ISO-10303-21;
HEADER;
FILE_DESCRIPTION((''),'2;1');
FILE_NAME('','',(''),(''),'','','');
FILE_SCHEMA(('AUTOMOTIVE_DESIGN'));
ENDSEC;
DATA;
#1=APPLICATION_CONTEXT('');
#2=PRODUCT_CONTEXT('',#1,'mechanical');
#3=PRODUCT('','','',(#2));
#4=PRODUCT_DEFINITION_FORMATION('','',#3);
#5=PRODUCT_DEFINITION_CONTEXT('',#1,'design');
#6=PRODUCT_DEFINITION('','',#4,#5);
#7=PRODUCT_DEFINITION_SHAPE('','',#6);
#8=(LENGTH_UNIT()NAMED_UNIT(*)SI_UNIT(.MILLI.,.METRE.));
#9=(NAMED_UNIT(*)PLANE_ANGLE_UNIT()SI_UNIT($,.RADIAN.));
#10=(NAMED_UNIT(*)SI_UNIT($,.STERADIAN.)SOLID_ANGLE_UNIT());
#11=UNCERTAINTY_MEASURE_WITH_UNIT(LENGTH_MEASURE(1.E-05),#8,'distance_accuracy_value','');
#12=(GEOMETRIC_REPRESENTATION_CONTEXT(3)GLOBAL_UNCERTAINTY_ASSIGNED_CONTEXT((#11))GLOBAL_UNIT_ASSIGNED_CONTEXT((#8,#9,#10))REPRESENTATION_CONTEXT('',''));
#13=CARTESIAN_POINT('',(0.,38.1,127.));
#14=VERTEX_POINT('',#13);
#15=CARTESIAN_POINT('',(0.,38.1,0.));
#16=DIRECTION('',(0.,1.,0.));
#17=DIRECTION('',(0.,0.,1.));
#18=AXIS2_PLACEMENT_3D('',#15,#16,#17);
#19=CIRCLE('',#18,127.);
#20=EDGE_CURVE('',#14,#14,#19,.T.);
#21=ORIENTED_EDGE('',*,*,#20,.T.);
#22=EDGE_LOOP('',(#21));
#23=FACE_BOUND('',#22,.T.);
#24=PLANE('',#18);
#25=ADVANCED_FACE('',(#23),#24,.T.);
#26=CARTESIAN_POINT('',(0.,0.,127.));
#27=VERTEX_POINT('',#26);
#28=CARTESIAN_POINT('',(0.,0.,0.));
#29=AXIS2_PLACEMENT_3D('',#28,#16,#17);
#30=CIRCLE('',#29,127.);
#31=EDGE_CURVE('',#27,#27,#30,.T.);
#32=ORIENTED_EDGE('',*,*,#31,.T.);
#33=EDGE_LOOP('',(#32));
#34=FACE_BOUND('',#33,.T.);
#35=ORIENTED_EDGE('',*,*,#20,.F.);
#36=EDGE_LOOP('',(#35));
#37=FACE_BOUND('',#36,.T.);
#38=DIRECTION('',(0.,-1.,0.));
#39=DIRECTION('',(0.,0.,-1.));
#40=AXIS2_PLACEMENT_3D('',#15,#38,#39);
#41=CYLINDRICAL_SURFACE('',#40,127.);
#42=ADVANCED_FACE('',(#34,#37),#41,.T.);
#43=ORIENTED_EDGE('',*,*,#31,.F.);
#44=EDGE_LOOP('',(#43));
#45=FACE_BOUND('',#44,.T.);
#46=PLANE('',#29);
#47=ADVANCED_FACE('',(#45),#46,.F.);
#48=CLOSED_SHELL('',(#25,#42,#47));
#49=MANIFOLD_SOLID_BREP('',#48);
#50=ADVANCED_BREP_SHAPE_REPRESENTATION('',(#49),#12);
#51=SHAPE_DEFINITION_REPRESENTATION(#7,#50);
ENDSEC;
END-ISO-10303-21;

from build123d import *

# Parameters (mm, degrees)
SKETCH_1_R      = 127
EXTRUDE_1_DEPTH = 38.1


with BuildPart() as part:
    # 草图1 → 凸台-拉伸1 (new body)
    with BuildSketch(Plane(origin=(0, 0, 0), x_dir=(1, 0, 0), z_dir=(0, 1, 0))):
        with Locations(Location((0, 0, 0), (0, 0, 270))):  # turned: the seam where the file's is
            Circle(SKETCH_1_R)
    extrude(amount=EXTRUDE_1_DEPTH)


solid = part.part
